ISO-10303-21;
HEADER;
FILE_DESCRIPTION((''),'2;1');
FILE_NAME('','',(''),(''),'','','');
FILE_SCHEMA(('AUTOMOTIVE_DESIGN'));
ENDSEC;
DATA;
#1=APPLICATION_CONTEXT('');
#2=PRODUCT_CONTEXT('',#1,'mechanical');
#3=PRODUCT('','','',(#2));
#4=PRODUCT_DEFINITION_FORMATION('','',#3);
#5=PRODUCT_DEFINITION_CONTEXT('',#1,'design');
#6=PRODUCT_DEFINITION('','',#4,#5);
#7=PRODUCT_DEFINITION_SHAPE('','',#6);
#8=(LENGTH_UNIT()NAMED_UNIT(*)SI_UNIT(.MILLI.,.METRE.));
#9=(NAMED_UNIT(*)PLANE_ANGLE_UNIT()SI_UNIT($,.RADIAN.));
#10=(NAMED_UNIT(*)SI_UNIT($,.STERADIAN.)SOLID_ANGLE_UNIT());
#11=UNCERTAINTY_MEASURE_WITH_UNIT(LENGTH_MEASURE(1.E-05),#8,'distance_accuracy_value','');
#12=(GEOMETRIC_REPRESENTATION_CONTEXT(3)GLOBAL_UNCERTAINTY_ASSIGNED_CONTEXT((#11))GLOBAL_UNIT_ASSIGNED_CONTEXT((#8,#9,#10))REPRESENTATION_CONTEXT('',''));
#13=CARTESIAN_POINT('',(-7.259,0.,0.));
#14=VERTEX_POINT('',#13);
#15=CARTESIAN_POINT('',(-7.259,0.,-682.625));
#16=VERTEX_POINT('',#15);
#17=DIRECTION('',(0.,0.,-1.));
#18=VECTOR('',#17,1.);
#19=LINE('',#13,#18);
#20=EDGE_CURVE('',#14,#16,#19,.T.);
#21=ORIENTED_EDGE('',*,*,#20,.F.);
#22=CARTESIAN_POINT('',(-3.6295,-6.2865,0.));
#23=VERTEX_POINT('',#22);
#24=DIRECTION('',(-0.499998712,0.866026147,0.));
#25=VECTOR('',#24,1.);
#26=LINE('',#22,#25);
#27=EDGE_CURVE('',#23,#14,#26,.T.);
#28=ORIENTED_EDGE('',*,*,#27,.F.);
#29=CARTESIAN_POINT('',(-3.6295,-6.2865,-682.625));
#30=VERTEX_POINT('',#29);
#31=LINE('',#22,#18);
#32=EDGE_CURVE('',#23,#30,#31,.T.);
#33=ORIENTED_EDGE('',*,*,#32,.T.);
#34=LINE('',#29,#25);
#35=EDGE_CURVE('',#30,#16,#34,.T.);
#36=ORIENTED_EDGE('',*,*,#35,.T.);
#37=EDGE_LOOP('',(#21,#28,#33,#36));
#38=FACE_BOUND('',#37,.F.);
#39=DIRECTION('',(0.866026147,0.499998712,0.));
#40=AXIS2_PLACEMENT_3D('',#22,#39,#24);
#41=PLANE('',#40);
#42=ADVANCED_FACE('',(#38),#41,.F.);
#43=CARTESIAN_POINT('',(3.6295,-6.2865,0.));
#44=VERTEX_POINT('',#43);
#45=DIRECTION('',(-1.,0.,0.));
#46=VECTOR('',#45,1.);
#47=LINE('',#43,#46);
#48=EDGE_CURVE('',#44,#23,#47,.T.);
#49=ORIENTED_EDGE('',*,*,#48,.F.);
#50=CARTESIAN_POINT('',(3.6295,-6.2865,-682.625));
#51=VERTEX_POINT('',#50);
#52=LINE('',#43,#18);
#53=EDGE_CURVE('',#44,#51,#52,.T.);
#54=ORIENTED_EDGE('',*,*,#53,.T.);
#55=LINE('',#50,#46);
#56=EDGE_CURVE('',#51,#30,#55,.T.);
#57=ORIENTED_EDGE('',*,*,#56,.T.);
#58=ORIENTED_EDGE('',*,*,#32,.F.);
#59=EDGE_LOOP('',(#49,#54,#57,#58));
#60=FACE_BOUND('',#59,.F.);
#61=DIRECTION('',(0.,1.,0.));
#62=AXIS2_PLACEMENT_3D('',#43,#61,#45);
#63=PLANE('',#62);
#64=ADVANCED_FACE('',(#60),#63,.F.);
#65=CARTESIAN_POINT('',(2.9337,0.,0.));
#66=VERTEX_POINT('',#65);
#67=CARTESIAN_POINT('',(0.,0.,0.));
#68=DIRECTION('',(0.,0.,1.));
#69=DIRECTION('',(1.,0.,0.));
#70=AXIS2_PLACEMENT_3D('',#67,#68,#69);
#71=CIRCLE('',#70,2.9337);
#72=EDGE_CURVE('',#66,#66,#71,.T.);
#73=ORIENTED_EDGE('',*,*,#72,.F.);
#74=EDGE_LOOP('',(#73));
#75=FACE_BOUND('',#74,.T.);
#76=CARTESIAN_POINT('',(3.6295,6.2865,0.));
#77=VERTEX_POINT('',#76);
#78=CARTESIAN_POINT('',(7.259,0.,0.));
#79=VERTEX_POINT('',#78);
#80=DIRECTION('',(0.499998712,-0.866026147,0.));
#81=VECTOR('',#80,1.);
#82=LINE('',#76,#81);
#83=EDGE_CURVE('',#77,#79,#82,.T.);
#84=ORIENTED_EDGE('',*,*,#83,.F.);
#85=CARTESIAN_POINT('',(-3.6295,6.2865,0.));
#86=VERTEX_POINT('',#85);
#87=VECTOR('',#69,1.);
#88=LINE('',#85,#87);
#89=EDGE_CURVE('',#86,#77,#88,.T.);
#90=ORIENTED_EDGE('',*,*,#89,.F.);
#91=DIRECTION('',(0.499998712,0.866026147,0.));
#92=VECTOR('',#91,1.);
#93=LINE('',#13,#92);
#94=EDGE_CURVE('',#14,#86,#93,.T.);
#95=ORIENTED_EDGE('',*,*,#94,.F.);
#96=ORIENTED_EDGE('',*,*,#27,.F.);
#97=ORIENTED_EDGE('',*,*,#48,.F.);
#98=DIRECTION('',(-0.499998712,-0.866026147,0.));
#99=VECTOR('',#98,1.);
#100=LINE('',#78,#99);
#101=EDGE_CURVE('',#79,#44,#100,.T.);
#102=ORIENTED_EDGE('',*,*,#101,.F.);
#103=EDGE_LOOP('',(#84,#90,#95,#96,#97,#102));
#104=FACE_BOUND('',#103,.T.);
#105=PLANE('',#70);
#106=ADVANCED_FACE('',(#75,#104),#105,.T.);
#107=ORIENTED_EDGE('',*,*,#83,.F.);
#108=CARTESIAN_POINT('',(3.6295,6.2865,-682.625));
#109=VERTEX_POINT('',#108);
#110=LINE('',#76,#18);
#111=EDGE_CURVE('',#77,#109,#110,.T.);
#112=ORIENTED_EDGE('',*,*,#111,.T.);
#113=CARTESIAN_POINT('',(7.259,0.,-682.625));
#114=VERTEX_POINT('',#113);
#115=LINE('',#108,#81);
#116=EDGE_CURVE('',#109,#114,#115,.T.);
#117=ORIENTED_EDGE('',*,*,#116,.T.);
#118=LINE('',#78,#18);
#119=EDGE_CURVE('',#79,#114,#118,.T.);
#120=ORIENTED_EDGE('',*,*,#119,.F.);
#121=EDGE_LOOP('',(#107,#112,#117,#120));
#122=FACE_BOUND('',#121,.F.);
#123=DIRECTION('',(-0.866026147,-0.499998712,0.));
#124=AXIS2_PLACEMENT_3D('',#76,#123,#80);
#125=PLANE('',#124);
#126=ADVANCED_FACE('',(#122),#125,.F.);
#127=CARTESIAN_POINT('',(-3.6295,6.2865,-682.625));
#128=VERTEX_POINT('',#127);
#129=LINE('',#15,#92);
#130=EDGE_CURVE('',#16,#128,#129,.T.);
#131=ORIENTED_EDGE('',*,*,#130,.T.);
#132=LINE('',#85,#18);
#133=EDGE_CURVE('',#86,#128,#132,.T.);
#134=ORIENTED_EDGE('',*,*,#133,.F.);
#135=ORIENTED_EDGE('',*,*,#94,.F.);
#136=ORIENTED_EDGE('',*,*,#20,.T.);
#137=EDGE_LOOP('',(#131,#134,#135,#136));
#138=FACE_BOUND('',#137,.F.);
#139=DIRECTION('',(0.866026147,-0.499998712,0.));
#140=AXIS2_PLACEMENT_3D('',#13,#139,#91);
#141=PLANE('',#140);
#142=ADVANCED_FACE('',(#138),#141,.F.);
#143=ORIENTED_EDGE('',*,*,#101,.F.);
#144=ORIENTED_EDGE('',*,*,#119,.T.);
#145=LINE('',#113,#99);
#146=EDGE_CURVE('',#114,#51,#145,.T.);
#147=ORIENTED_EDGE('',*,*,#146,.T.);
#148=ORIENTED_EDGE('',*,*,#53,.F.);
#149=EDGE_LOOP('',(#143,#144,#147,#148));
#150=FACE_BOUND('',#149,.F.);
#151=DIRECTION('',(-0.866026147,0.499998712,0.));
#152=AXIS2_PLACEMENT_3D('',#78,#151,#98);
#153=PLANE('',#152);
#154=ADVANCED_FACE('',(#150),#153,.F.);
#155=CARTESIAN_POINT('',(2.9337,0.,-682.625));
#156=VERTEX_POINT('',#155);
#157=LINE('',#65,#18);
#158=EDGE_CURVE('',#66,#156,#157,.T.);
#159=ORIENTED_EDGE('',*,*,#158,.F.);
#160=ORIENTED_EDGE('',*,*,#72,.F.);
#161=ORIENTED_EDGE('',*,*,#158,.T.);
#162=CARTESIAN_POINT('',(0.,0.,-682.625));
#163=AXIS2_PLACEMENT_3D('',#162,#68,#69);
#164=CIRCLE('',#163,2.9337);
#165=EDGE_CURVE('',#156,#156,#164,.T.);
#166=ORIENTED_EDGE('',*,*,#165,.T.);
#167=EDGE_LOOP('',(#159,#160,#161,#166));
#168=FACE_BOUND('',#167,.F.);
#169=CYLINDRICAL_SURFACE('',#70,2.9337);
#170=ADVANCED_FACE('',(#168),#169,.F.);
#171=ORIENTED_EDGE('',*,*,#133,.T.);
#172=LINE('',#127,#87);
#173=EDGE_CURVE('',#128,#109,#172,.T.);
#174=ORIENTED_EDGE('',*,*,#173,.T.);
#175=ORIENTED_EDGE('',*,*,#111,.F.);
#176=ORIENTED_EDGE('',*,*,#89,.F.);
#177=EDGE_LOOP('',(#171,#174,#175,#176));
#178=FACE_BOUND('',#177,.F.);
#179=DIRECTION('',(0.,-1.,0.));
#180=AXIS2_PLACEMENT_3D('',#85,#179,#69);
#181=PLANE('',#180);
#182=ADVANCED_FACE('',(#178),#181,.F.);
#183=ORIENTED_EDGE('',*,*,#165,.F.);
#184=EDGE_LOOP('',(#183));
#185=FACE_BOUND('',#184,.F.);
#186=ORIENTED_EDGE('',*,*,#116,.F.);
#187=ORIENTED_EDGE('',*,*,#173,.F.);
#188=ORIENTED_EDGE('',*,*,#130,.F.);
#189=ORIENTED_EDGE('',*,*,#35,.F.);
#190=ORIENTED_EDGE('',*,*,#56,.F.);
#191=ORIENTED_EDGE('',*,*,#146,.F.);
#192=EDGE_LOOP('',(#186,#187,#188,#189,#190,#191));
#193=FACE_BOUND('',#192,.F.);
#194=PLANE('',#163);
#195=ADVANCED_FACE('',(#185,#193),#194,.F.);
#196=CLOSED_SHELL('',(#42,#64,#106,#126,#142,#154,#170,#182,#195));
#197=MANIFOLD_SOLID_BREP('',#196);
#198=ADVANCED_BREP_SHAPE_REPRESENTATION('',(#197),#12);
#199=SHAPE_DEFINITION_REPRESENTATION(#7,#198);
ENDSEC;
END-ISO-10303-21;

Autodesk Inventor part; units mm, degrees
ref_plane "YZ Plane" through (0, 0, 0) normal (1, 0, 0) x (0, 1, 0)
ref_plane "XZ Plane" through (0, 0, 0) normal (0, 1, 0) x (-1, 0, 0)
ref_plane "XY Plane" through (0, 0, 0) normal (0, 0, 1) x (1, 0, 0)
sketch "Sketch1" plane through (0, 0, 0) normal (0, 0, 1) x (1, 0, 0)
  circle A0 centre (0, 0) radius 2.9337
  line L0 (3.6295, 6.2865) -> (7.259, 0)
  line L1 (7.259, 0) -> (3.6295, -6.2865)
  line L2 (3.6295, -6.2865) -> (-3.6295, -6.2865)
  line L3 (-3.6295, -6.2865) -> (-7.259, 0)
  line L4 (-7.259, 0) -> (-3.6295, 6.2865)
  line L5 (-3.6295, 6.2865) -> (3.6295, 6.2865)
  dimension "d0" = 5.8674
  dimension "d1" = 12.573
extrude "Extrusion1" add sketch "Sketch1" against normal blind 682.625
properties part number "am-0756" material "Aluminum-6061"
